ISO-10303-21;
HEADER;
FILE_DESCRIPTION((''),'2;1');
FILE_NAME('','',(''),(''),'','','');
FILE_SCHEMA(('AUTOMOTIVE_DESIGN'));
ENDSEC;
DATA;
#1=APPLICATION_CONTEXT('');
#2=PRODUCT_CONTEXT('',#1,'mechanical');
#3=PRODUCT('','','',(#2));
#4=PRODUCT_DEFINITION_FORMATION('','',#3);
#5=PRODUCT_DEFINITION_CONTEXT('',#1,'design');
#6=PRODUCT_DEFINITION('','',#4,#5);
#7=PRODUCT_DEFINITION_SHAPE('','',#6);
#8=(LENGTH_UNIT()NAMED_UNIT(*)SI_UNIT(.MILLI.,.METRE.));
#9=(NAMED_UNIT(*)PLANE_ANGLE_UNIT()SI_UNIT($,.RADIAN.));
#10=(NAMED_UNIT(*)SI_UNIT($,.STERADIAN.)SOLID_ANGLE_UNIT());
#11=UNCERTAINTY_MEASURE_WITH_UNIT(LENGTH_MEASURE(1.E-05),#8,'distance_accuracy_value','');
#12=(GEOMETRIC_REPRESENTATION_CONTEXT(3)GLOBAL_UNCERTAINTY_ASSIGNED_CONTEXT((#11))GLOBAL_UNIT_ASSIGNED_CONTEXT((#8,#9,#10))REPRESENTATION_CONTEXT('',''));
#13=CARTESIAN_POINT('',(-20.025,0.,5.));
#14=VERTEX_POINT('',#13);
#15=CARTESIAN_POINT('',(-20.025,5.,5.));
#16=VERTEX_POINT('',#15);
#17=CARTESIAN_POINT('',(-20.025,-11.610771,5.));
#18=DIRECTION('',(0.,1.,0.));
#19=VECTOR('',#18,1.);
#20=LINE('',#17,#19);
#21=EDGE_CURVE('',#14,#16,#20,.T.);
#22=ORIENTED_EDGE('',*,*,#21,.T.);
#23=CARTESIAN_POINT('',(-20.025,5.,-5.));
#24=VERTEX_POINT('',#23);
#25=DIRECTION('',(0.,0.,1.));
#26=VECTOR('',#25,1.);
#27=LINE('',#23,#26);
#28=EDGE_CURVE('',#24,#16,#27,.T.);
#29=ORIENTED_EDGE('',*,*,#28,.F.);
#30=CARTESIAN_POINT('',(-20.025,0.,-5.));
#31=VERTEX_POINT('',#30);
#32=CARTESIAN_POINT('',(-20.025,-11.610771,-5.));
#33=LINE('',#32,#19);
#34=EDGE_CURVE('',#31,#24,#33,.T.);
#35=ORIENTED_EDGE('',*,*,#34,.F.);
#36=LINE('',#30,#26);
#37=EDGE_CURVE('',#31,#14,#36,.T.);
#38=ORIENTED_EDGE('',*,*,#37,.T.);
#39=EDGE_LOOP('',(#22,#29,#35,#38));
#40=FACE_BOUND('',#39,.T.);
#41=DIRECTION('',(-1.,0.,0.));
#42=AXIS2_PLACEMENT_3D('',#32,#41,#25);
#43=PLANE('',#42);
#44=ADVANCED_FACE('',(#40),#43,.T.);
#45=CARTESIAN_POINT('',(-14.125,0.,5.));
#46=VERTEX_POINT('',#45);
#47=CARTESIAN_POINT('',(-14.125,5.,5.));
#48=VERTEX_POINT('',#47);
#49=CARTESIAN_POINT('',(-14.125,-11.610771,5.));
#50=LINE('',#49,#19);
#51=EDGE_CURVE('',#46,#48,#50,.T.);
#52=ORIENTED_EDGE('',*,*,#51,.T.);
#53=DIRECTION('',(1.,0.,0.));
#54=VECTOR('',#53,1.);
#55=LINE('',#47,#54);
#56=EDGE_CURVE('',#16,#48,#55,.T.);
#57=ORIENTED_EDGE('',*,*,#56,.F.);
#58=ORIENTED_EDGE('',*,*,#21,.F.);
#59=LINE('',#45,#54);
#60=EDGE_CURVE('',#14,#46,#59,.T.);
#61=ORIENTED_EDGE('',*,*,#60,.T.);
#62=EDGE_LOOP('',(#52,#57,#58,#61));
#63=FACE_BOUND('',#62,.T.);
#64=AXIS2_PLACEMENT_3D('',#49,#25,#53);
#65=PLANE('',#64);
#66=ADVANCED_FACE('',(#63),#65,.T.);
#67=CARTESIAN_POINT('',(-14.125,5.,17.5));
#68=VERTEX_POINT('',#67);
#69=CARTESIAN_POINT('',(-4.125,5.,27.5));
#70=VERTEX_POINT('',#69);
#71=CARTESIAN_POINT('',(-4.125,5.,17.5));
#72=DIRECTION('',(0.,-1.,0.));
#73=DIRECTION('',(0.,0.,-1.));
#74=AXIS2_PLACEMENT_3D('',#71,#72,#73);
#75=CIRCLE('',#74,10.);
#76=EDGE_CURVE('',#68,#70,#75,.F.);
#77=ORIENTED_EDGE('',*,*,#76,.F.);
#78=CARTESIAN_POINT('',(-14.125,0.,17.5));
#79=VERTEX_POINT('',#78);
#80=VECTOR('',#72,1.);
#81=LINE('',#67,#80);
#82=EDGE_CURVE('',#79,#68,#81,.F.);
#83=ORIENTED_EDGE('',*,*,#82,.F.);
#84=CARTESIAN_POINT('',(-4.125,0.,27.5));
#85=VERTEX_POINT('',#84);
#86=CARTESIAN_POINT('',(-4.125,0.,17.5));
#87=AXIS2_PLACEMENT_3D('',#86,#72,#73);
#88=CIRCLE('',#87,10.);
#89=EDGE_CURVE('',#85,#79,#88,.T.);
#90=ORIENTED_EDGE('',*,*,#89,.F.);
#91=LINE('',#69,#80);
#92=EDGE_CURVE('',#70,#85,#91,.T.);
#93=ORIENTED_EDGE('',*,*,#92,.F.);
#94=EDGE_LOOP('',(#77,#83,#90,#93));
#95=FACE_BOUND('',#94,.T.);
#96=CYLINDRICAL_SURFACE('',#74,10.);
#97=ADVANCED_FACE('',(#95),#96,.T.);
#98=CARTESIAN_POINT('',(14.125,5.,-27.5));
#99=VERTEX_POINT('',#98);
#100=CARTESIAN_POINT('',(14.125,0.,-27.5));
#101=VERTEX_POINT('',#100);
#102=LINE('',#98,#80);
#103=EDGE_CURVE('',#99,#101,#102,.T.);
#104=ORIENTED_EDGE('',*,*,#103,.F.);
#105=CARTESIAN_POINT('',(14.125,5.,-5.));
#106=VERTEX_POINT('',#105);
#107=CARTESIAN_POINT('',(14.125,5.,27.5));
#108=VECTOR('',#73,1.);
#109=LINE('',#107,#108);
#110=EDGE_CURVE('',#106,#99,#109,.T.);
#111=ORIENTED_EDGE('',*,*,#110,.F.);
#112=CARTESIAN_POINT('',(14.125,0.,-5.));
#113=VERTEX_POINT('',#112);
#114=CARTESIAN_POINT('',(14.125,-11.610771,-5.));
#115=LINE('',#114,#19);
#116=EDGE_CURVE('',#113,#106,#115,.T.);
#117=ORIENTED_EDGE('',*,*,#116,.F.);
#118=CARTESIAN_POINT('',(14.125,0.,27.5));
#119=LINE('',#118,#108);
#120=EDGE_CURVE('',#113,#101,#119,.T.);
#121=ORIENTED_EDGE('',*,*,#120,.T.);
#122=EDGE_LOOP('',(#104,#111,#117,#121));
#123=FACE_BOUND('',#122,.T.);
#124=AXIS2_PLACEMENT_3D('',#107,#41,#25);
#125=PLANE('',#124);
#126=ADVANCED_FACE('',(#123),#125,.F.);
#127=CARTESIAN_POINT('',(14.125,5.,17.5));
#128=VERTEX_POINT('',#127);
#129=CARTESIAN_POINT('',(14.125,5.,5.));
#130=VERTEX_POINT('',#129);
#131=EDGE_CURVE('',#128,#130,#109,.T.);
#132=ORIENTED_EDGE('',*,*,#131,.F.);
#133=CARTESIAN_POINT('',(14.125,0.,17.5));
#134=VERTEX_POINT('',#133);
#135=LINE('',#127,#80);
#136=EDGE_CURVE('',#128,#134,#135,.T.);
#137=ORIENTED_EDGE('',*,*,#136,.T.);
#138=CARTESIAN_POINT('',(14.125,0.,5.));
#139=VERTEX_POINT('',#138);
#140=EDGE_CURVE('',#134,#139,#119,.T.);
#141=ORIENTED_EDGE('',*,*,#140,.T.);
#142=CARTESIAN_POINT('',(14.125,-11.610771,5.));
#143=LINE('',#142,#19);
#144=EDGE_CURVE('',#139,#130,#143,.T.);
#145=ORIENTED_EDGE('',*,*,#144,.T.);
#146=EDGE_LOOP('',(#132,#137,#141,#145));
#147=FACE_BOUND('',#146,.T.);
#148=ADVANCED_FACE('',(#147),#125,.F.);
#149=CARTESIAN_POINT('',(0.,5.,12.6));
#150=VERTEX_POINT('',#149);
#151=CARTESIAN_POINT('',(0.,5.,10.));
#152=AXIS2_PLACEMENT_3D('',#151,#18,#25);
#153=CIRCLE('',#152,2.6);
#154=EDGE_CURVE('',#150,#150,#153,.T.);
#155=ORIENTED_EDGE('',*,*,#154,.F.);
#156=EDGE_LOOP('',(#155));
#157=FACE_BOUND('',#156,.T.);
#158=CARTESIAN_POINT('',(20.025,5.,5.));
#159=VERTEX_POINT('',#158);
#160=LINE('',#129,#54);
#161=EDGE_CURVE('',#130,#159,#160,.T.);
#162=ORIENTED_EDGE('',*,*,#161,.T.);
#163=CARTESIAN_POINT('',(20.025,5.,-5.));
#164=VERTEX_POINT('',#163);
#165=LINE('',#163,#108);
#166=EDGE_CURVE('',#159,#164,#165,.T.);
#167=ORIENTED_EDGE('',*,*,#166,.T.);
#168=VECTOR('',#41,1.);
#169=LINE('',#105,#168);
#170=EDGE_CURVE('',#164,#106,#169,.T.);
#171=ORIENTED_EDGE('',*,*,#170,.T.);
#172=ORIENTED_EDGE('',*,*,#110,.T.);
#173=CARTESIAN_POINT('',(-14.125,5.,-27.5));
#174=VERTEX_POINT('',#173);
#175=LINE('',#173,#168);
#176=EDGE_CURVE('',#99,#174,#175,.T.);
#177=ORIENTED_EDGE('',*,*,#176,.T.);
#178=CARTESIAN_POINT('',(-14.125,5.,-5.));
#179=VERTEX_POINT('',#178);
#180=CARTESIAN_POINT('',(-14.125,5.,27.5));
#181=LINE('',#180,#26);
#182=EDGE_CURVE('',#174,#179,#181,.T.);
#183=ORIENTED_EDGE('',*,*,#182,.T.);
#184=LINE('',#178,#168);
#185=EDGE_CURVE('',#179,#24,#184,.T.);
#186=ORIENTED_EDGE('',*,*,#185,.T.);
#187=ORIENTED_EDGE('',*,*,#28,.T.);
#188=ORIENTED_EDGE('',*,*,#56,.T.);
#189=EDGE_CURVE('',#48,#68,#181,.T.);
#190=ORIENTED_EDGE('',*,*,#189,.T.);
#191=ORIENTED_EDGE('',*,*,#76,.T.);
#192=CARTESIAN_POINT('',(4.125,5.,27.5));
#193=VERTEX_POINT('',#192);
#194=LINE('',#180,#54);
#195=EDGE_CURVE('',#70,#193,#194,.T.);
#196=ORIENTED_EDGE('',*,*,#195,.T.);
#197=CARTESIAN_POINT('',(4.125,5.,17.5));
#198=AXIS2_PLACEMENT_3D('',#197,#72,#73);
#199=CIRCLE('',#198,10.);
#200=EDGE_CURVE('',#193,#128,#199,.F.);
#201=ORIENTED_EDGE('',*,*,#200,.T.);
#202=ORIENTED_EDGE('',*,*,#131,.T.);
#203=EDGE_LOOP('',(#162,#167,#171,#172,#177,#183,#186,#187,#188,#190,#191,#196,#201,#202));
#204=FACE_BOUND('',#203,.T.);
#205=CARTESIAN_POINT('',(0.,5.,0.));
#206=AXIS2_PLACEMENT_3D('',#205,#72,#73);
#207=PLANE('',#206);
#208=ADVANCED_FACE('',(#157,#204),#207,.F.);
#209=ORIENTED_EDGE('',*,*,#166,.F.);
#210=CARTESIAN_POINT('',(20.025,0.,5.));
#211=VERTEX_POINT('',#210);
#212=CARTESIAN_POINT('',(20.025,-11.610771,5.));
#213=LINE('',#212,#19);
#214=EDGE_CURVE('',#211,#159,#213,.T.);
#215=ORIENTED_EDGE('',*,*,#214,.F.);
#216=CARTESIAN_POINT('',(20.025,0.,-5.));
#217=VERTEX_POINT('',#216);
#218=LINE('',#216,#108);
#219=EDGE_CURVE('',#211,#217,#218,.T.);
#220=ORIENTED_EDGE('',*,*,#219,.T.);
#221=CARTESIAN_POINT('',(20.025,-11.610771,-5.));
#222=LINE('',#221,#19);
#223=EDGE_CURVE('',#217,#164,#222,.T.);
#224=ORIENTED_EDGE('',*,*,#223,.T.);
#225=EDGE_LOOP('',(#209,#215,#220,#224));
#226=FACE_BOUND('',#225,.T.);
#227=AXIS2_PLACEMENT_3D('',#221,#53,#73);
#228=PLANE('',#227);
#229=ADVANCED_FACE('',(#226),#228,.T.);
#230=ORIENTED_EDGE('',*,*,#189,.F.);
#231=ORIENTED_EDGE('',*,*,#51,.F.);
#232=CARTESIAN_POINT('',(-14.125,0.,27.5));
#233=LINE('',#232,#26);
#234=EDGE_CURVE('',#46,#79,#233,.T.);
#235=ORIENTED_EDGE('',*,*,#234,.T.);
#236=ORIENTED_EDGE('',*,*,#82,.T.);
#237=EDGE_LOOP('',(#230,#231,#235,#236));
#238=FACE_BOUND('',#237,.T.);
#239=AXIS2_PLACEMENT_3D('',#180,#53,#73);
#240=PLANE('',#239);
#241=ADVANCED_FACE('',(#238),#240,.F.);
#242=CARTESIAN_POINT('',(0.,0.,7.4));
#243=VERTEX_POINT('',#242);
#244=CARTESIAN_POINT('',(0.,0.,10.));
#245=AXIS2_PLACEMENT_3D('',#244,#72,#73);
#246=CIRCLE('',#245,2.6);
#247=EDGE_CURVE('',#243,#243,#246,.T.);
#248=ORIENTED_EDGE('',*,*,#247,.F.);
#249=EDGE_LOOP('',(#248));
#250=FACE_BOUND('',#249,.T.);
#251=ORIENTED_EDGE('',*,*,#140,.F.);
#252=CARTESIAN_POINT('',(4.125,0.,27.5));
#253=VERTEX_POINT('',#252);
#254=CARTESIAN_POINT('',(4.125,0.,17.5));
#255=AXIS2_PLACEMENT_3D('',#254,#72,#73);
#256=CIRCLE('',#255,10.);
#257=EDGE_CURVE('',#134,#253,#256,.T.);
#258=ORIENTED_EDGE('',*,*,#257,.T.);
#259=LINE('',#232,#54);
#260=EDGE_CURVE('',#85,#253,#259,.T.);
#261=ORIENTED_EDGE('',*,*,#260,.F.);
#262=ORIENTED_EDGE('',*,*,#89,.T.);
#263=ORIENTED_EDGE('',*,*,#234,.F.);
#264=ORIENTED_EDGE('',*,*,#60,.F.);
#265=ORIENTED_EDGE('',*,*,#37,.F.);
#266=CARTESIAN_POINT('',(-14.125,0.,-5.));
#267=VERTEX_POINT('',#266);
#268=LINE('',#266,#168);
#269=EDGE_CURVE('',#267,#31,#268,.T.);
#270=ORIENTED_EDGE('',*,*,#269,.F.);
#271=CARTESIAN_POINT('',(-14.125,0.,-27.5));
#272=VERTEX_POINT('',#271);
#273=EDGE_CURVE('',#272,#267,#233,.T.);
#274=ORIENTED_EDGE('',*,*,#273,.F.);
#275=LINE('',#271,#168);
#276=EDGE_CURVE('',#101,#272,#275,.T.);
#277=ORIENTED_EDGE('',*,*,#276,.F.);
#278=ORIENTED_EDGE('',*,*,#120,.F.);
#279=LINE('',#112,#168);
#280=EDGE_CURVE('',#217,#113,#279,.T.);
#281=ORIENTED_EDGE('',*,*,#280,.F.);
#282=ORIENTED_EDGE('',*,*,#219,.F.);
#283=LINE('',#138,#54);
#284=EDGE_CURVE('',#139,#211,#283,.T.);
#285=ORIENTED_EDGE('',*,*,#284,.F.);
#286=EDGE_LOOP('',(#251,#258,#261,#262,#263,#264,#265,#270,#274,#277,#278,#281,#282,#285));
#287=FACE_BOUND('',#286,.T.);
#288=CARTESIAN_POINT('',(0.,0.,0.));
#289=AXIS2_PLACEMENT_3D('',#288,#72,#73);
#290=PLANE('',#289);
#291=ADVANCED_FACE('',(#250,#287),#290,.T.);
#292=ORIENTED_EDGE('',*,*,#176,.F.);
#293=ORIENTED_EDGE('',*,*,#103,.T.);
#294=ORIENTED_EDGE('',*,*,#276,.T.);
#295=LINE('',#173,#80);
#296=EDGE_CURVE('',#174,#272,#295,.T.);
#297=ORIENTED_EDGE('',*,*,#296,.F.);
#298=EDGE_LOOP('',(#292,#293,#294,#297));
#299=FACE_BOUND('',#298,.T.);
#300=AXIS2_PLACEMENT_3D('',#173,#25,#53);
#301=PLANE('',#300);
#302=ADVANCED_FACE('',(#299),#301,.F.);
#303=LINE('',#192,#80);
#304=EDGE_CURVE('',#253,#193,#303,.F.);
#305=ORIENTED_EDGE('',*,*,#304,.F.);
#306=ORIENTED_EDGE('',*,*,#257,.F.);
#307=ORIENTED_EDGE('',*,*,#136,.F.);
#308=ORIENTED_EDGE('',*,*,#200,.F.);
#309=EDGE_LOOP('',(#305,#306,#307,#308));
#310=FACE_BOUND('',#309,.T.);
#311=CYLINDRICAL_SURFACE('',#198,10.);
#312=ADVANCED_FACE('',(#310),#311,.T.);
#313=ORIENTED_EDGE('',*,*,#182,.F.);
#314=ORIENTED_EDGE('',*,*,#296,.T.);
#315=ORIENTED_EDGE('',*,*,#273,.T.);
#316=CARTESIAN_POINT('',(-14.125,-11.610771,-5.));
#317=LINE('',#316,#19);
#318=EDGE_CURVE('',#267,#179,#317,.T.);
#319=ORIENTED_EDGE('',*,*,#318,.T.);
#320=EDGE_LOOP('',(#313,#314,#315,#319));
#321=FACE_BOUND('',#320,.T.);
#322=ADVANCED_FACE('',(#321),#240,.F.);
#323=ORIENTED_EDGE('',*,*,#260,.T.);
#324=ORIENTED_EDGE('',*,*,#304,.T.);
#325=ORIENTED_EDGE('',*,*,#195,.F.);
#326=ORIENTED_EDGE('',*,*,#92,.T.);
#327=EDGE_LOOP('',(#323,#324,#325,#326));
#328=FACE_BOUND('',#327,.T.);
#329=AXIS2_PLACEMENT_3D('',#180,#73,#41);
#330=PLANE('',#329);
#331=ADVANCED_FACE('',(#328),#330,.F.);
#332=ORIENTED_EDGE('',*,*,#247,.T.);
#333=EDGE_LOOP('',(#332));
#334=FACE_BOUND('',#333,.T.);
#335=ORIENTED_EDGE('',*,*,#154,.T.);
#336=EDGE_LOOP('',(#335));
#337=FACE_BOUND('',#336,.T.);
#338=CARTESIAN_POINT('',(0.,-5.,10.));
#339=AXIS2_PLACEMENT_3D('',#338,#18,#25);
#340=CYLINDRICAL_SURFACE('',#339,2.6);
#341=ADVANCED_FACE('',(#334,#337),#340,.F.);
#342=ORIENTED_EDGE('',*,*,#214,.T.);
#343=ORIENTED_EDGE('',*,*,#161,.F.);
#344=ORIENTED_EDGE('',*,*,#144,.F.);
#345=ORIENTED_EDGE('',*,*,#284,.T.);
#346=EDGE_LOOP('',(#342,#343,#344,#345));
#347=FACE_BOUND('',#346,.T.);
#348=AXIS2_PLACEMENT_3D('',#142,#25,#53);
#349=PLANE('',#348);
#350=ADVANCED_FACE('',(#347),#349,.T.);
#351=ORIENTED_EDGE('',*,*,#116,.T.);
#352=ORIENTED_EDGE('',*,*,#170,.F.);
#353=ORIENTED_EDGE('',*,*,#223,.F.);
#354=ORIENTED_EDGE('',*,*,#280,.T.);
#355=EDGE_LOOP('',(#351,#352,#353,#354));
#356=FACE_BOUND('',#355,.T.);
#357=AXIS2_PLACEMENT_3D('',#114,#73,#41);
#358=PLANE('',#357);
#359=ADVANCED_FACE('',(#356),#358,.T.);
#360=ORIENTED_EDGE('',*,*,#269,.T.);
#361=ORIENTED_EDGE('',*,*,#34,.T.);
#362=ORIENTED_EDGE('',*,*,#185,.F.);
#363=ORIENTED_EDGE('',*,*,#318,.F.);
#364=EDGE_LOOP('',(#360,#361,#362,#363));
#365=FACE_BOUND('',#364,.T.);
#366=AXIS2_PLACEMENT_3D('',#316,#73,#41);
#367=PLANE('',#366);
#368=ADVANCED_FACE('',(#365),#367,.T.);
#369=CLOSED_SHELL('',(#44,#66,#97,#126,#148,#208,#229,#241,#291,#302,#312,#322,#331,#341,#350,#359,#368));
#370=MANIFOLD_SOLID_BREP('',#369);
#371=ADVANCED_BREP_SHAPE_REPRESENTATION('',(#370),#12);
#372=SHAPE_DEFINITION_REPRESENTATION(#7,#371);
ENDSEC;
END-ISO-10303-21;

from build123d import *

# Parameters (mm, degrees)
SKETCH1_W           = 28.25
SKETCH1_H           = 55
BOSS_EXTRUDE1_DEPTH = 5
SKETCH3_W           = 5.9
SKETCH3_H           = 10
BOSS_EXTRUDE2_DEPTH = 5
SKETCH2_R           = 2.6
CUT_EXTRUDE1_DEPTH  = 10
FILLET1_R           = 10


with BuildPart() as part:
    # Sketch1 → Boss-Extrude1 (new body)
    with BuildSketch(Plane(origin=(0, 0, 0), x_dir=(1, 0, 0), z_dir=(0, 1, 0))):
        Rectangle(SKETCH1_W, SKETCH1_H)
    extrude(amount=BOSS_EXTRUDE1_DEPTH)

    # Sketch3 → Boss-Extrude2 (add)
    with BuildSketch(Plane(origin=(0, 5, 0), x_dir=(1, 0, 0), z_dir=(0, 1, 0))):
        with Locations((-17.075, 0)):
            Rectangle(SKETCH3_W, SKETCH3_H)
        with Locations((17.075, 0)):
            Rectangle(SKETCH3_W, SKETCH3_H)
    extrude(amount=-BOSS_EXTRUDE2_DEPTH)

    # Sketch2 → Cut-Extrude1 (cut)
    with BuildSketch(Plane(origin=(0, 5, 0), x_dir=(1, 0, 0), z_dir=(0, 1, 0))):
        with Locations((0, -10)):
            Circle(SKETCH2_R)
    extrude(amount=-CUT_EXTRUDE1_DEPTH, mode=Mode.SUBTRACT)

    # Fillet1
    fillet1_edges = [part.edges().sort_by_distance(p)[0] for p in [
        (14.125, 2.5, 27.5),
        (-14.125, 2.5, 27.5),
    ]]
    fillet(fillet1_edges, radius=FILLET1_R)


solid = part.part
